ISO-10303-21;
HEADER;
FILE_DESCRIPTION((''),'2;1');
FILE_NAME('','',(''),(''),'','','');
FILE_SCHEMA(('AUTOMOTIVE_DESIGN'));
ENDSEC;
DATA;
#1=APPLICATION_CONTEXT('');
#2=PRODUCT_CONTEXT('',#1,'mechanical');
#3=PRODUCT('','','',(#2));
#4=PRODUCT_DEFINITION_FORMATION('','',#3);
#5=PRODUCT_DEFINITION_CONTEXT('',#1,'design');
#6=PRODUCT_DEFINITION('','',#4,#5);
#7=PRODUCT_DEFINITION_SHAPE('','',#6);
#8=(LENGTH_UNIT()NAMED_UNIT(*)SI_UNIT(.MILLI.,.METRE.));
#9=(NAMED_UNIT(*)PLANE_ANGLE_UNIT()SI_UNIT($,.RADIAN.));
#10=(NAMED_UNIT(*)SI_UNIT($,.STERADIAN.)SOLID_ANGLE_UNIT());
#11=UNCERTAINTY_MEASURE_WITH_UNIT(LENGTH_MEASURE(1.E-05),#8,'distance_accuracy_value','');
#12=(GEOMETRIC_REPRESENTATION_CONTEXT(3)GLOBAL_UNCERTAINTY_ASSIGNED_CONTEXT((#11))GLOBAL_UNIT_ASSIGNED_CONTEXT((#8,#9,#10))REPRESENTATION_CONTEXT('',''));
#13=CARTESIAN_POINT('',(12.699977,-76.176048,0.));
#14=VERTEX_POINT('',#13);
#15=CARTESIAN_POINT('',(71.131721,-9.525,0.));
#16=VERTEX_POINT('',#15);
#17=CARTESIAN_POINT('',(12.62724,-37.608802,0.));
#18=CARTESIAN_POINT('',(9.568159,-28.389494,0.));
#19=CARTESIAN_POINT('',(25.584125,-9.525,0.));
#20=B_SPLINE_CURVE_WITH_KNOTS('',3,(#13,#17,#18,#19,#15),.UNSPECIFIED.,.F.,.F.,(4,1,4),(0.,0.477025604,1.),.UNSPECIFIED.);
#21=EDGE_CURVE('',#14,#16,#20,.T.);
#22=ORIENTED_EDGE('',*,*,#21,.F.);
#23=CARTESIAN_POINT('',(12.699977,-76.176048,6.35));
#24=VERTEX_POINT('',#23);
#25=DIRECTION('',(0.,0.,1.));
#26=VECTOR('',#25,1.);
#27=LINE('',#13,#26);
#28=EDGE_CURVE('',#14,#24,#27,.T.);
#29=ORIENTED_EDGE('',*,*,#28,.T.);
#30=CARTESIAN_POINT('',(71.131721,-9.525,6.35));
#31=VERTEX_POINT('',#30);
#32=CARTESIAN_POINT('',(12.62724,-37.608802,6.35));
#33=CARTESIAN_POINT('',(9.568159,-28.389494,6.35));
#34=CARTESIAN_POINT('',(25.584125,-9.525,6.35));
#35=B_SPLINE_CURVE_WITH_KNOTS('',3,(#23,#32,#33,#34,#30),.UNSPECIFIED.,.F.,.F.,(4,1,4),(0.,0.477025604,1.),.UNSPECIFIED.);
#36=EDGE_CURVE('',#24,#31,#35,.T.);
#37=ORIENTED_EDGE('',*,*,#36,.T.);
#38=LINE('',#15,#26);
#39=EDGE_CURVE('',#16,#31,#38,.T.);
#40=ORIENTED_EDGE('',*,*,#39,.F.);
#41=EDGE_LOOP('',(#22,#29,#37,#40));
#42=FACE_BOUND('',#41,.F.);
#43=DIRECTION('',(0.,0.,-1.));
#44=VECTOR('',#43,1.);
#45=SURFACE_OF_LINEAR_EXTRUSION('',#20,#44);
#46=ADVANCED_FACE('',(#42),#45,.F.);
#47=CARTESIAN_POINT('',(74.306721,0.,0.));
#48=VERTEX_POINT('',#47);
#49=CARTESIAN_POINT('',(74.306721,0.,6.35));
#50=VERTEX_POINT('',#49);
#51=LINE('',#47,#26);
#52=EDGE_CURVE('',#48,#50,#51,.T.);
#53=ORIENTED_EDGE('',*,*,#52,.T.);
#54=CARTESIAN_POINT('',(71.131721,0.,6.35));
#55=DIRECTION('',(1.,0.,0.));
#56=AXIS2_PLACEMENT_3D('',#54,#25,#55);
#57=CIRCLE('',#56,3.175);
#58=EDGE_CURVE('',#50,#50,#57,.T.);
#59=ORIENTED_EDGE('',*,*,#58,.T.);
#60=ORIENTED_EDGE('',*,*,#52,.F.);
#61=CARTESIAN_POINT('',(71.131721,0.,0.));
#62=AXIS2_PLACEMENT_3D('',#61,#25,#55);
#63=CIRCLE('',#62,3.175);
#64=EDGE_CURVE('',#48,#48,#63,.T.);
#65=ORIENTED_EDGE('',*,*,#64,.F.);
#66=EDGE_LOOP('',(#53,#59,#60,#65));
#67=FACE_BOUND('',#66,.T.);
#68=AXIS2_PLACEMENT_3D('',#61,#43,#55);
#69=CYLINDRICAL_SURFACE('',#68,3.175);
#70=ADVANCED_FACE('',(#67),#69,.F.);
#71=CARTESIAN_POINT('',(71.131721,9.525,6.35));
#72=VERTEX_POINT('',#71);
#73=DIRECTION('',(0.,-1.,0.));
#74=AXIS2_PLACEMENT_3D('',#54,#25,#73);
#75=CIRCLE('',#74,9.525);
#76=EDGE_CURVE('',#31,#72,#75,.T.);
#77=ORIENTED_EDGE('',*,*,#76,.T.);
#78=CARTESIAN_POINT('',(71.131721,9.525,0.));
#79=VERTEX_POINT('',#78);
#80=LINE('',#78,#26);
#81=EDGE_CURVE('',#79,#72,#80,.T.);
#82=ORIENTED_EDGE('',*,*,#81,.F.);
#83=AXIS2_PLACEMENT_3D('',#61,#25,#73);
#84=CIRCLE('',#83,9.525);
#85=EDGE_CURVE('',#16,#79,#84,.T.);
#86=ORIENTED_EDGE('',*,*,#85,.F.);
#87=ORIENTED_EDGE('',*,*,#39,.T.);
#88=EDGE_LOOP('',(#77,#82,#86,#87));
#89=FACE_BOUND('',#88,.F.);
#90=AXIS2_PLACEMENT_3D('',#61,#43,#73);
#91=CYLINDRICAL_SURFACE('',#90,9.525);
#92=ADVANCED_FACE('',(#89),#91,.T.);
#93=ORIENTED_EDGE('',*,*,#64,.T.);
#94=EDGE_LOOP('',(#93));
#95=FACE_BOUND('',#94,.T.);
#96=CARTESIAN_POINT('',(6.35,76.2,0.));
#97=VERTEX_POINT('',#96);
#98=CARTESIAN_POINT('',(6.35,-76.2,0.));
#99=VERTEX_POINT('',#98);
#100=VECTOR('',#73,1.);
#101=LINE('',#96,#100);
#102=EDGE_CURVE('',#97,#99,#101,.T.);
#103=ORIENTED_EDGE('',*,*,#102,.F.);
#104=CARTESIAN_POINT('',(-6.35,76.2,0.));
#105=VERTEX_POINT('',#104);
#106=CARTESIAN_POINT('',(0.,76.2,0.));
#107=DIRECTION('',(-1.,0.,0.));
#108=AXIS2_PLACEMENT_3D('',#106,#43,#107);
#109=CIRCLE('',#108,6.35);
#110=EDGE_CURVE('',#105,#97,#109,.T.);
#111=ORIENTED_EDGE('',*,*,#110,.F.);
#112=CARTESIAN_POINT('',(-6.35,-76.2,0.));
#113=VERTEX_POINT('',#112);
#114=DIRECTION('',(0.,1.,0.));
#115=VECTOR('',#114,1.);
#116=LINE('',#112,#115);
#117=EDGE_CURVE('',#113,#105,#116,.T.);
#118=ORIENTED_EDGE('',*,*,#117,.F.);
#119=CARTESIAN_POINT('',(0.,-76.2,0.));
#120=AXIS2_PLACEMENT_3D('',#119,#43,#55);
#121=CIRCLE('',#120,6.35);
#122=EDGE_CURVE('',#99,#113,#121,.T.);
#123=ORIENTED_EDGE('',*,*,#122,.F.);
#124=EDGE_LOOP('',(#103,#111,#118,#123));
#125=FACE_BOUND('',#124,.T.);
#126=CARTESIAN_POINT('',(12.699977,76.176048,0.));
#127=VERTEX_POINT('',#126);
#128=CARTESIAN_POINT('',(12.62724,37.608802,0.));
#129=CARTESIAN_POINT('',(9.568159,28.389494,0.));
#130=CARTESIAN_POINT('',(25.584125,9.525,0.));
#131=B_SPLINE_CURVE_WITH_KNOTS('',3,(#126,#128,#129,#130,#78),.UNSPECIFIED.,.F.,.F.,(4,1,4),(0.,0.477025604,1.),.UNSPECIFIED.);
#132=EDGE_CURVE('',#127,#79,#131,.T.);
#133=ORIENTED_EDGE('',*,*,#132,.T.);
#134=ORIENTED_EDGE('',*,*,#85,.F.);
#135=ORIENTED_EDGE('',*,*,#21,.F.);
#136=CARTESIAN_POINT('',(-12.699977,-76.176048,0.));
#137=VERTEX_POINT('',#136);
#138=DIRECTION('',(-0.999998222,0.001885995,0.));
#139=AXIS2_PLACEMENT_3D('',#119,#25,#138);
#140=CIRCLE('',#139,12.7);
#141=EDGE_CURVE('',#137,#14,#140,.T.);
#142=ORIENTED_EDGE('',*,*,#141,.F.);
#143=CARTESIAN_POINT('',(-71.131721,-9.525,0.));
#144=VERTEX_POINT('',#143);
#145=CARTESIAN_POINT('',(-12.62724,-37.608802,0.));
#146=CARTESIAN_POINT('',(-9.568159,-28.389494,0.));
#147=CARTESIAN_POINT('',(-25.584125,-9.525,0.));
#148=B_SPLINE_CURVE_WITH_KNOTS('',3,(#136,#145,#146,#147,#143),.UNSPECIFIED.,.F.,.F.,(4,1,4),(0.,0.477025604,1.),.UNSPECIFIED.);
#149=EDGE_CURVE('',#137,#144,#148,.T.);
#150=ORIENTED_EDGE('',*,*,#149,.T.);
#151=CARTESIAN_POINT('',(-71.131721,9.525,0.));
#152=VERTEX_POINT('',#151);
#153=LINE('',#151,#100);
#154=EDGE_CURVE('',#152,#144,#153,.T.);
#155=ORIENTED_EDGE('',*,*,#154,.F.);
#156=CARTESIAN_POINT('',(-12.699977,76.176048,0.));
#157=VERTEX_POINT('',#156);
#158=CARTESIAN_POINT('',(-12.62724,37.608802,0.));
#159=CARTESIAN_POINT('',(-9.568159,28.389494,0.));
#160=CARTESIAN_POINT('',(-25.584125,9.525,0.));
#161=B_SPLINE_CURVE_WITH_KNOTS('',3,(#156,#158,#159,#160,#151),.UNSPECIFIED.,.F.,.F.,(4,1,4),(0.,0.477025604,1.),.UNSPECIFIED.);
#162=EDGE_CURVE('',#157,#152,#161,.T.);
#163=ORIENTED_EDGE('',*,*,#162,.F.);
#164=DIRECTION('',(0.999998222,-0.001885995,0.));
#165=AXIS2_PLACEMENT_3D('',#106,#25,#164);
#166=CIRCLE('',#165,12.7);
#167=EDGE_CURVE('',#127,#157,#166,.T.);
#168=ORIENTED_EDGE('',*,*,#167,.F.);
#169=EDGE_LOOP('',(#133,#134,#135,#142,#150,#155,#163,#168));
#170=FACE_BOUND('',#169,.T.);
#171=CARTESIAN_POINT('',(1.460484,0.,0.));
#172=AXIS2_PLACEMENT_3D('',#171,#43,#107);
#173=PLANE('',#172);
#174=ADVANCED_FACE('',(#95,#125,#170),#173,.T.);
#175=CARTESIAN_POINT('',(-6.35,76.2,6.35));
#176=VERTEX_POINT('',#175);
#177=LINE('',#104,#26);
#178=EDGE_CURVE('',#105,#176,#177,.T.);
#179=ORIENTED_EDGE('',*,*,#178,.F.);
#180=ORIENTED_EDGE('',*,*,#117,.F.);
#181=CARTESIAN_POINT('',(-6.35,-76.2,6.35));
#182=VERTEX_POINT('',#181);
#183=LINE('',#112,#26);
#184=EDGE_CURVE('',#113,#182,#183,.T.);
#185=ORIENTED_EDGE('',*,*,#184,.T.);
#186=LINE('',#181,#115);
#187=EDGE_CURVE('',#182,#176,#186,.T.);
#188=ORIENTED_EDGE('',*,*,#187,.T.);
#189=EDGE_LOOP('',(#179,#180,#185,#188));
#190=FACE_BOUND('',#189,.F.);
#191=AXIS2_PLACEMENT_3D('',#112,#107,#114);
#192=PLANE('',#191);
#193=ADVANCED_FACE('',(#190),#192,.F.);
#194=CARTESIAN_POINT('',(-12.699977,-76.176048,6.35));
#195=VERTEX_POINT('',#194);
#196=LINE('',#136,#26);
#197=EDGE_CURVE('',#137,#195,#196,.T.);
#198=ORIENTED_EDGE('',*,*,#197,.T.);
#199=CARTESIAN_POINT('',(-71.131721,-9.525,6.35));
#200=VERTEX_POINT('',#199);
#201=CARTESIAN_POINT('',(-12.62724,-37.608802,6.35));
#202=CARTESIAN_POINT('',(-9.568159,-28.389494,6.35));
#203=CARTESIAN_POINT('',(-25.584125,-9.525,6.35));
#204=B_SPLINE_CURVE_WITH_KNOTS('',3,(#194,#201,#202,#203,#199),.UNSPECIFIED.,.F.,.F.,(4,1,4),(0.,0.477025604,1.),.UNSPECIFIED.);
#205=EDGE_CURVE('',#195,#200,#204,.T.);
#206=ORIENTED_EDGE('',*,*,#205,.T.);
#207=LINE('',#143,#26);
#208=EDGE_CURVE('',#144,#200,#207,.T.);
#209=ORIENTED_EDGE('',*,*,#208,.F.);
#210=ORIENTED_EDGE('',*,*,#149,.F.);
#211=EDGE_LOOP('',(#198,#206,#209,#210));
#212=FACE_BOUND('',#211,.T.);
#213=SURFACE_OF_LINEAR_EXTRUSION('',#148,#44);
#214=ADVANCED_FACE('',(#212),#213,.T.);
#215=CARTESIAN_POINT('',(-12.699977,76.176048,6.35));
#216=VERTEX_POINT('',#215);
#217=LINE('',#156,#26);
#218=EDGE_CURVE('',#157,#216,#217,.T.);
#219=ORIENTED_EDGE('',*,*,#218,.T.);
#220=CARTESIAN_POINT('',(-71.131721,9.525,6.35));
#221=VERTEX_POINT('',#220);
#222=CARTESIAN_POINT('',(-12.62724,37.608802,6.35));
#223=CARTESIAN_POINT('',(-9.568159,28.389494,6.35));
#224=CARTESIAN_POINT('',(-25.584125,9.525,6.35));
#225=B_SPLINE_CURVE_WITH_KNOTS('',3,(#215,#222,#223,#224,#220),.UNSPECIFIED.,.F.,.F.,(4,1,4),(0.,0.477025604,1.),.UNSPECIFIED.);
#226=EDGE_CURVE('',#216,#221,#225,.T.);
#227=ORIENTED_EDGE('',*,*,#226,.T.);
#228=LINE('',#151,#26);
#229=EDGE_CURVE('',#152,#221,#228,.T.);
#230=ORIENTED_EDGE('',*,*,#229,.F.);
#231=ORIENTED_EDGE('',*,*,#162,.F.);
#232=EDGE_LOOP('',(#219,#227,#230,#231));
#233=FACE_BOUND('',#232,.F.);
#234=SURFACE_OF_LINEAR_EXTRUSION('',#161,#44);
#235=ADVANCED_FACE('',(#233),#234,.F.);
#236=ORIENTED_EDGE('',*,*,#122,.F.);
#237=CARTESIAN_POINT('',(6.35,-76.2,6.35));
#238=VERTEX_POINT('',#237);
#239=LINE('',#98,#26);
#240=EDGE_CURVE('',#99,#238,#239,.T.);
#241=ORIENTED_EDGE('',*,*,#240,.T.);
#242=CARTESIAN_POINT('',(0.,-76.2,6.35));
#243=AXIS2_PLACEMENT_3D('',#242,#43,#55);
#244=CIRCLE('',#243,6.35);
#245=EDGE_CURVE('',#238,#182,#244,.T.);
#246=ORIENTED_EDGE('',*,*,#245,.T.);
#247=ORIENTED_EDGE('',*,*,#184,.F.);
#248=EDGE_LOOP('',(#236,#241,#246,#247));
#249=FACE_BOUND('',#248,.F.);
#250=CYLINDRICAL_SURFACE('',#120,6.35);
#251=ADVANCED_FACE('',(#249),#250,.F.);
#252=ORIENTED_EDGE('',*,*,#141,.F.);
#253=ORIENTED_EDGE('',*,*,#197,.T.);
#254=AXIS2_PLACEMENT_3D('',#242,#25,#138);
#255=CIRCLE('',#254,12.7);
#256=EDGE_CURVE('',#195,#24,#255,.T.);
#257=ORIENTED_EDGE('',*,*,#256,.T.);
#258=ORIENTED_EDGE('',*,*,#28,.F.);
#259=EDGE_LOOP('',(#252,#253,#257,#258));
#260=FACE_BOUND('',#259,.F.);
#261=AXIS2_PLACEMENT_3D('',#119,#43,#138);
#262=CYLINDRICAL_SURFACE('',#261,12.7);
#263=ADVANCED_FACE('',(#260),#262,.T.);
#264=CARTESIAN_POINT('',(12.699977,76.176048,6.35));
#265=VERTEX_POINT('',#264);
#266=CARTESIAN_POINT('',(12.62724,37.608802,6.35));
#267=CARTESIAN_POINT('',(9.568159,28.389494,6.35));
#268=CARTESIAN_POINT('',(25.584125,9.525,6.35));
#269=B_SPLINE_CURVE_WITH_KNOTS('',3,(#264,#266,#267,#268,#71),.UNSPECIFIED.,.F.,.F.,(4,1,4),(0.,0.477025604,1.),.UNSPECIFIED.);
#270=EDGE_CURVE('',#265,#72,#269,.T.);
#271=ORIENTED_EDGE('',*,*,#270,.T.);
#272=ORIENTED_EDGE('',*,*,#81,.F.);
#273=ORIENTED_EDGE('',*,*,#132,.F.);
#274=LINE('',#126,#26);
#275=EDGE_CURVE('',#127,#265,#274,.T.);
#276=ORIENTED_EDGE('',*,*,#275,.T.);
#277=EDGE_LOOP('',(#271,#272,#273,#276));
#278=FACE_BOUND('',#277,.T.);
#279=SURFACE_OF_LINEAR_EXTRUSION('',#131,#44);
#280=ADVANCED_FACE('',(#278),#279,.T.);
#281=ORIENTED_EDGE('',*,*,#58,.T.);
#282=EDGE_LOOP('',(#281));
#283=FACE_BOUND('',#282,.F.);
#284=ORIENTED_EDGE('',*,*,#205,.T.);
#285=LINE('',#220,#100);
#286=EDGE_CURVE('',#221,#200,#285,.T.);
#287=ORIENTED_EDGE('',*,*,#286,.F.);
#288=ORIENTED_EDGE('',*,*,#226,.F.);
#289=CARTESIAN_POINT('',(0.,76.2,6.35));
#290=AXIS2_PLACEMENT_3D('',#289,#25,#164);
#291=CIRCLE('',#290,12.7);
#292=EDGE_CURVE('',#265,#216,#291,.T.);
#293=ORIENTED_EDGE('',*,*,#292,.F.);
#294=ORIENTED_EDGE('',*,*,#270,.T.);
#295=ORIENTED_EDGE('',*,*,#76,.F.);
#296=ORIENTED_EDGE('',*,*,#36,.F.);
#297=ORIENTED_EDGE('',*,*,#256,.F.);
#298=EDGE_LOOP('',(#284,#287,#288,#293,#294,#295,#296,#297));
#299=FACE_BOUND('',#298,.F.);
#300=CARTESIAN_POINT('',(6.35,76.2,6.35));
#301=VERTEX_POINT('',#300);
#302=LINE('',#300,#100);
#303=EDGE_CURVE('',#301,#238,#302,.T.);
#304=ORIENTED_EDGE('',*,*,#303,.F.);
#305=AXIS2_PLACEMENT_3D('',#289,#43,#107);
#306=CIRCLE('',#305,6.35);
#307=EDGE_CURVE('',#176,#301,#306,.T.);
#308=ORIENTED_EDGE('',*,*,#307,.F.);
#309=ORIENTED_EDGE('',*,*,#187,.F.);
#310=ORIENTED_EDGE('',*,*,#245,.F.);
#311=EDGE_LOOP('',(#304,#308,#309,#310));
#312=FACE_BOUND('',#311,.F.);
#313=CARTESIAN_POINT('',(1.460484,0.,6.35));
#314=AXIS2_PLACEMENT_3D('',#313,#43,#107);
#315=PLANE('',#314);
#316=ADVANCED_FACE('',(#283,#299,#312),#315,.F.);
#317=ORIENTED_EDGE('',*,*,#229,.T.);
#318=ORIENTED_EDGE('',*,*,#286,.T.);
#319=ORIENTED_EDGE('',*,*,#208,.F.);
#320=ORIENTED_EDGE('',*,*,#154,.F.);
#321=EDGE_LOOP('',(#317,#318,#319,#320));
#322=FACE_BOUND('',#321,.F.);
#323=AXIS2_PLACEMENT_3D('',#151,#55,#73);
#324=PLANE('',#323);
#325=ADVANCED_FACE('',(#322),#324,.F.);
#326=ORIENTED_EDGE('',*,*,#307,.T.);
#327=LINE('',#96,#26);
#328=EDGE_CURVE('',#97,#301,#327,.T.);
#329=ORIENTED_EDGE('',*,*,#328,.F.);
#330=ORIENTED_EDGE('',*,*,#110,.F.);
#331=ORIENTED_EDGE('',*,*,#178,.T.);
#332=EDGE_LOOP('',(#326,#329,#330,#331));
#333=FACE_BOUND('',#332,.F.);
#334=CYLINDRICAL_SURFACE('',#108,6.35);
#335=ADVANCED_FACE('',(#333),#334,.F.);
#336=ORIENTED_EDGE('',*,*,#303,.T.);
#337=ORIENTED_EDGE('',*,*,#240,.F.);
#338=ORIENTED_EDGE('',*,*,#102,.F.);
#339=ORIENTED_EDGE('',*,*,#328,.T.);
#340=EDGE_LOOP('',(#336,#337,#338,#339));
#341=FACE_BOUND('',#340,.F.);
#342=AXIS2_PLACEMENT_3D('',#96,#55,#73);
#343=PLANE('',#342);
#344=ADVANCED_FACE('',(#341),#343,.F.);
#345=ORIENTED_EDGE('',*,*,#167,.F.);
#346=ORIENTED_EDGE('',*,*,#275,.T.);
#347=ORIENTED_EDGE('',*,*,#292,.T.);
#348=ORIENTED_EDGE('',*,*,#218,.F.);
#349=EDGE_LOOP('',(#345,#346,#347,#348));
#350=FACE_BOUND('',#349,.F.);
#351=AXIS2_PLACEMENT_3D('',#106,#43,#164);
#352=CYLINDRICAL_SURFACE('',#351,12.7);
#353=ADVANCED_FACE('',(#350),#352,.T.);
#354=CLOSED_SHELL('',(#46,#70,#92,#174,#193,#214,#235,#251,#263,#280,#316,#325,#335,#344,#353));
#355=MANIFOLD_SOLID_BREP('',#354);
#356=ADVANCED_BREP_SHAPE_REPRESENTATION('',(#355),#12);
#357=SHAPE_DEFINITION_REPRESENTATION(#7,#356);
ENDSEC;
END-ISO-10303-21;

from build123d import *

# Parameters (mm, degrees)
F0_R     = 3.175
F1_DEPTH = 6.35


with BuildPart() as f1:
    # F0 (on Top) → F1 (new body)
    with BuildSketch(Plane.XY):
        with BuildLine():
            add(Edge.make_bspline(
                [(12.6999774132, 76.1760478683), (12.6272396661, 37.6088022986), (9.5681586268, 28.3894937776), (25.5841249437, 9.525), (71.131721139, 9.525)],
                knots=[0, 0, 0, 0, 0.4770256041, 1, 1, 1, 1], degree=3))
            ThreePointArc((12.6999774132, 76.1760478683), (0, 88.9), (-12.6999774132, 76.1760478683))
            add(Edge.make_bspline(
                [(-12.6999774132, 76.1760478683), (-12.6272396661, 37.6088022986), (-9.5681586268, 28.3894937776), (-25.5841249437, 9.525), (-71.131721139, 9.525)],
                knots=[0, 0, 0, 0, 0.4770256041, 1, 1, 1, 1], degree=3))
            Line((-71.131721139, 9.525), (-71.131721139, -9.525))
            add(Edge.make_bspline(
                [(-12.6999774132, -76.1760478683), (-12.6272396661, -37.6088022986), (-9.5681586268, -28.3894937776), (-25.5841249437, -9.525), (-71.131721139, -9.525)],
                knots=[0, 0, 0, 0, 0.4770256041, 1, 1, 1, 1], degree=3))
            ThreePointArc((-12.6999774132, -76.1760478683), (0, -88.9), (12.6999774132, -76.1760478683))
            add(Edge.make_bspline(
                [(12.6999774132, -76.1760478683), (12.6272396661, -37.6088022986), (9.5681586268, -28.3894937776), (25.5841249437, -9.525), (71.131721139, -9.525)],
                knots=[0, 0, 0, 0, 0.4770256041, 1, 1, 1, 1], degree=3))
            ThreePointArc((71.131721139, -9.525), (80.656721139, 0), (71.131721139, 9.525))
        make_face()
        with BuildLine():
            ThreePointArc((-6.35, 76.2), (0, 82.55), (6.35, 76.2))
            Line((6.35, 76.2), (6.35, -76.2))
            ThreePointArc((6.35, -76.2), (0, -82.55), (-6.35, -76.2))
            Line((-6.35, -76.2), (-6.35, 76.2))
        make_face(mode=Mode.SUBTRACT)
        with Locations((71.131721139, 0)):
            Circle(F0_R, mode=Mode.SUBTRACT)
    extrude(amount=F1_DEPTH)


solid = f1.part
